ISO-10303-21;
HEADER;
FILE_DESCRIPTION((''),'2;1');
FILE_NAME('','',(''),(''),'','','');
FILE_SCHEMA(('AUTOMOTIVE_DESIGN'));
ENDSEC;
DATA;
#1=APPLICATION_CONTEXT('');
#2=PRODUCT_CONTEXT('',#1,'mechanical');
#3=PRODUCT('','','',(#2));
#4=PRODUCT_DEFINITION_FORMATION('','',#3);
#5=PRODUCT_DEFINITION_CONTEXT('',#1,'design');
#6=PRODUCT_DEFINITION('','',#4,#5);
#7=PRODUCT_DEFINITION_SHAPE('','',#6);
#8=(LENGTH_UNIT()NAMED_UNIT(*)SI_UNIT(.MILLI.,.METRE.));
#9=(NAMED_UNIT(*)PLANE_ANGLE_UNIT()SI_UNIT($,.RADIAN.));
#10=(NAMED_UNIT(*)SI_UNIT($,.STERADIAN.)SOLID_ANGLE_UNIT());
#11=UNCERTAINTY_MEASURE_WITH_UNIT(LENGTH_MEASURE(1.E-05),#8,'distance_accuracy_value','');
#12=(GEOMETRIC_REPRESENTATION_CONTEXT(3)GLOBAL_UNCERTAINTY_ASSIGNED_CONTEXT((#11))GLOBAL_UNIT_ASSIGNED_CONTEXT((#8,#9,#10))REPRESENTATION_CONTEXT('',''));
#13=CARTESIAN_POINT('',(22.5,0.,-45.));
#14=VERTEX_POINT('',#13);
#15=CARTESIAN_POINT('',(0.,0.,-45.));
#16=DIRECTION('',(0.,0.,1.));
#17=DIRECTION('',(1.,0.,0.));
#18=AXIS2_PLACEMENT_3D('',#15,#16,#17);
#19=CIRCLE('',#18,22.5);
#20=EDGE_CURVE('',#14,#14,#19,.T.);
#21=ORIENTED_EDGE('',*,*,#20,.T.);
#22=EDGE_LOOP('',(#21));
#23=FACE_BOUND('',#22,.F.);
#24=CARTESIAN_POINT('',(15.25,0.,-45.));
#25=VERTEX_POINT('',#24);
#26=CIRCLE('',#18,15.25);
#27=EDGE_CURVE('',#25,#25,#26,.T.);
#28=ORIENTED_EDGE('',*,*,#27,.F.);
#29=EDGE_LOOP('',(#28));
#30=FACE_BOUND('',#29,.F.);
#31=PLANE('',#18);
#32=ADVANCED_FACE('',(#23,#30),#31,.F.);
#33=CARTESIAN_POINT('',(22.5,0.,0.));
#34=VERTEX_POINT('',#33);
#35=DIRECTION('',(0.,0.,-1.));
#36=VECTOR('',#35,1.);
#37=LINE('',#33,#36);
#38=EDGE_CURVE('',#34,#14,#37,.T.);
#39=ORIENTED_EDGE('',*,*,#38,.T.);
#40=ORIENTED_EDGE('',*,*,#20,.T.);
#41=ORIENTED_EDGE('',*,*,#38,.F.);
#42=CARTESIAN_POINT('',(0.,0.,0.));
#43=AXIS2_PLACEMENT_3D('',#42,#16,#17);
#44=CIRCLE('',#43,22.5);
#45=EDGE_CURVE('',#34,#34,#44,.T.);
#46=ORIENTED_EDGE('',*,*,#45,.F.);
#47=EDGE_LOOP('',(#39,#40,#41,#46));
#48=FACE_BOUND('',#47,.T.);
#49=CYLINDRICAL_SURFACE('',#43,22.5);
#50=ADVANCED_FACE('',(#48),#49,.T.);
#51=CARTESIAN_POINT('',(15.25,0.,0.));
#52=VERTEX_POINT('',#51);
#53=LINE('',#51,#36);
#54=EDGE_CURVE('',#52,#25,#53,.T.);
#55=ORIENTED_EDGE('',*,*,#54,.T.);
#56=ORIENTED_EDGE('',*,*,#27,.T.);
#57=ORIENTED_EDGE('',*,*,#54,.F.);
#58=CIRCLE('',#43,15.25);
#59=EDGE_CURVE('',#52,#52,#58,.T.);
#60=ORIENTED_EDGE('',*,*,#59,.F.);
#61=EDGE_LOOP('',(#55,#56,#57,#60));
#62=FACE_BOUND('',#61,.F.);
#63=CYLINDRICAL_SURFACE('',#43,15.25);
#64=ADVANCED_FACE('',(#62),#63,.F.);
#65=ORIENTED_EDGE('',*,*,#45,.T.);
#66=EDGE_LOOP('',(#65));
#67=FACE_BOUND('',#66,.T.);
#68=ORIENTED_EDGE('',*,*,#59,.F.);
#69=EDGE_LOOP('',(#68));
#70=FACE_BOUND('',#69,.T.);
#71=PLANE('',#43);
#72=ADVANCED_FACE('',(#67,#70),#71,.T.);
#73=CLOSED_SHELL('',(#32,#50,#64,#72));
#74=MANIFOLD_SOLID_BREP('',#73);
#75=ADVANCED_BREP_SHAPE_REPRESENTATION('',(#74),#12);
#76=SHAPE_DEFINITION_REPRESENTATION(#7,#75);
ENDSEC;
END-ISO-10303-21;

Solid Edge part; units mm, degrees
sketch "Sketch1" plane through (0, 0, 0) normal (0, 0, 1) x (1, 0, 0)
  circle A0 centre (0, 0) radius 22.5
extrude "Protrusion1" add sketch "Sketch1" against normal blind 45
sketch "Sketch2" plane through (0, 0, 0) normal (0, 0, 1) x (1, 0, 0)
  circle A0 centre (0, 0) radius 15.25
extrude "ExtrudedCutout_1" cut sketch "Sketch2" against normal blind 45
